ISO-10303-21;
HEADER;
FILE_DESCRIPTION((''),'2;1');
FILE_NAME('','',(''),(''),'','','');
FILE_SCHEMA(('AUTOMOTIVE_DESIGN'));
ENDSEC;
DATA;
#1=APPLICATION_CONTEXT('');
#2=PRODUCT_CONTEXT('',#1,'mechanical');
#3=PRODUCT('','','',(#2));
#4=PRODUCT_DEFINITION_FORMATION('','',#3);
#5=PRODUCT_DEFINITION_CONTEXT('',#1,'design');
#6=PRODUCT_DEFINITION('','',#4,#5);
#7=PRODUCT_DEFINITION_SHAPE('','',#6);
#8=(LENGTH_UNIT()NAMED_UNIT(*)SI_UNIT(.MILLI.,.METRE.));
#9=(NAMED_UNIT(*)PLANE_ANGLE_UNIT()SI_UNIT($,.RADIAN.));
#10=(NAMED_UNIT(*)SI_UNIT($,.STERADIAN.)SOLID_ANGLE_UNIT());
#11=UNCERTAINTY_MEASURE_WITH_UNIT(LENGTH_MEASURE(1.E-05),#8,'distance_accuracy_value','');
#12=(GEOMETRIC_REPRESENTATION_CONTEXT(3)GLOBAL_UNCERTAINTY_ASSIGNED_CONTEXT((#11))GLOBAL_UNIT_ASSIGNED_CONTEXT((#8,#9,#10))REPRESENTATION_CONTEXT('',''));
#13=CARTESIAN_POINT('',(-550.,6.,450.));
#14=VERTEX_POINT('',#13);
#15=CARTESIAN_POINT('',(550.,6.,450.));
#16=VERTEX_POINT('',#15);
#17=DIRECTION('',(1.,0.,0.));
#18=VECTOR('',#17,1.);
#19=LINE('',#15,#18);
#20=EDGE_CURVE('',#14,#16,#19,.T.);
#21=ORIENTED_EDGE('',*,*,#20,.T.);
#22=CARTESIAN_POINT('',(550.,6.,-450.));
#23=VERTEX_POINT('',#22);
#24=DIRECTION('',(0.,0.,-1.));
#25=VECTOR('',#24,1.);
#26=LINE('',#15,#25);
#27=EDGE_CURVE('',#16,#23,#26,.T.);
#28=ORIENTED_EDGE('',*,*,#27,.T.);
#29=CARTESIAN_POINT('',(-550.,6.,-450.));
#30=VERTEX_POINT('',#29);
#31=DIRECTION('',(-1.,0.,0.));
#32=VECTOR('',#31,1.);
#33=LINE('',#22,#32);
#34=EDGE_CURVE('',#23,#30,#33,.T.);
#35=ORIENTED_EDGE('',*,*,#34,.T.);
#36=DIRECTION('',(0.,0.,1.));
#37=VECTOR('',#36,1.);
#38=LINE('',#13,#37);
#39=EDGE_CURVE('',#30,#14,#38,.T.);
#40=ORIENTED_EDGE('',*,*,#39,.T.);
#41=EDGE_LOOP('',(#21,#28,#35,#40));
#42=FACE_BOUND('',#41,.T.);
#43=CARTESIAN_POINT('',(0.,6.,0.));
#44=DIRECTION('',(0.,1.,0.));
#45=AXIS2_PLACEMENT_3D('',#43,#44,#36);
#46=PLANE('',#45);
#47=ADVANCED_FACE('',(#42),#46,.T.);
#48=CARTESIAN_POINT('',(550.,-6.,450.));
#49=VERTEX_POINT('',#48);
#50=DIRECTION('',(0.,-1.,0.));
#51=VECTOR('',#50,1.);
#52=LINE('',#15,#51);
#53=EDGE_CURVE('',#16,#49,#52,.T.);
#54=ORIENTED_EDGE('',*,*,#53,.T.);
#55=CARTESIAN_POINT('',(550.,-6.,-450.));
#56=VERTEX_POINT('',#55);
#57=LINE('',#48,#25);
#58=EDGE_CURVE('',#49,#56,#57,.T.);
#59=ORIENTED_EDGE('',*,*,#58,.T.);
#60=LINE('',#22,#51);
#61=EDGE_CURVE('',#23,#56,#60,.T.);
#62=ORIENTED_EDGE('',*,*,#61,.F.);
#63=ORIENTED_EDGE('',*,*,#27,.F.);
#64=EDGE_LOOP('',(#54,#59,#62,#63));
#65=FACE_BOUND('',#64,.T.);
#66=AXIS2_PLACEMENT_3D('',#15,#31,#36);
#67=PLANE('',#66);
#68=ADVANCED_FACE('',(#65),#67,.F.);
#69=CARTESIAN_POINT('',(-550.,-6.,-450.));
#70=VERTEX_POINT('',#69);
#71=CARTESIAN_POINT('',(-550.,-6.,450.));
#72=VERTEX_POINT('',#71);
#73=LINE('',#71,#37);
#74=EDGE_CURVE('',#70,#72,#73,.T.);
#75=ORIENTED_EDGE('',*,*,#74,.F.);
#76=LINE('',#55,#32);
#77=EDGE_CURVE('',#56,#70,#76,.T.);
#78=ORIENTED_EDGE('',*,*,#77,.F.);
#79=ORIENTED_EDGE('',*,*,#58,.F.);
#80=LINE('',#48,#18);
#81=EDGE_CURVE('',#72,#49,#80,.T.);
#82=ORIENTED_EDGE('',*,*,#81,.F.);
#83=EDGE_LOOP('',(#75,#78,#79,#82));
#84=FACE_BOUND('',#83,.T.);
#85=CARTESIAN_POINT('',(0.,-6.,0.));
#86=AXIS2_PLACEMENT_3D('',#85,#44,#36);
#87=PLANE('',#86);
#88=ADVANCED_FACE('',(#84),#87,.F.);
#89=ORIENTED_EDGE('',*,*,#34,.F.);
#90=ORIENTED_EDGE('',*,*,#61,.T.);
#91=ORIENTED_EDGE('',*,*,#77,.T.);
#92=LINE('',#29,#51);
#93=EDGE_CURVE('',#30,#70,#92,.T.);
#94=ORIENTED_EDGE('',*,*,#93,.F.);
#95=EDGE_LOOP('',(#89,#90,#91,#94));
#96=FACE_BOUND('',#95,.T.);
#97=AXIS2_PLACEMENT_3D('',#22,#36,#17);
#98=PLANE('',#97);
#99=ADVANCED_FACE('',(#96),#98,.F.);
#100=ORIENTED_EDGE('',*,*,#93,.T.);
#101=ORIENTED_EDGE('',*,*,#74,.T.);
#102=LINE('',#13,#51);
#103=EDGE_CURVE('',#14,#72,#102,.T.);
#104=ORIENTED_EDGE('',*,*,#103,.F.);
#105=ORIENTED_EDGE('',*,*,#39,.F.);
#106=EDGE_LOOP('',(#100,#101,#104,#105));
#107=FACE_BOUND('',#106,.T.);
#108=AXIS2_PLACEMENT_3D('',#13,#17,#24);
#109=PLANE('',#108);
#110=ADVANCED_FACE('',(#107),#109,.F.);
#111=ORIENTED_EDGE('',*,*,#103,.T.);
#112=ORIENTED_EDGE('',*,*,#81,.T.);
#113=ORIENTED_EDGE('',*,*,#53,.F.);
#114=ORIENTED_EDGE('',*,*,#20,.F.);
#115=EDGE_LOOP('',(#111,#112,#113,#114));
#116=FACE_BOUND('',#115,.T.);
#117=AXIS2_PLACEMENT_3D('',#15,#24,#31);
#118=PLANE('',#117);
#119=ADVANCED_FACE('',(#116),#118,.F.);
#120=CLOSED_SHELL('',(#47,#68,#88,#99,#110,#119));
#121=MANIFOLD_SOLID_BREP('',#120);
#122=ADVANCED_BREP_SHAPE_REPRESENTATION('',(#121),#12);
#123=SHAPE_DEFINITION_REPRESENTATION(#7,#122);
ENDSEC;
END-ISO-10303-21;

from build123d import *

# Parameters (mm, degrees)
SKETCH1_W           = 1100
SKETCH1_H           = 900
BOSS_EXTRUDE1_DEPTH = 6


with BuildPart() as part:
    # Sketch1 → Boss-Extrude1 (new, symmetric)
    with BuildSketch(Plane(origin=(0, 0, 0), x_dir=(1, 0, 0), z_dir=(0, 1, 0))):
        Rectangle(SKETCH1_W, SKETCH1_H)
    extrude(amount=BOSS_EXTRUDE1_DEPTH, both=True)


solid = part.part
